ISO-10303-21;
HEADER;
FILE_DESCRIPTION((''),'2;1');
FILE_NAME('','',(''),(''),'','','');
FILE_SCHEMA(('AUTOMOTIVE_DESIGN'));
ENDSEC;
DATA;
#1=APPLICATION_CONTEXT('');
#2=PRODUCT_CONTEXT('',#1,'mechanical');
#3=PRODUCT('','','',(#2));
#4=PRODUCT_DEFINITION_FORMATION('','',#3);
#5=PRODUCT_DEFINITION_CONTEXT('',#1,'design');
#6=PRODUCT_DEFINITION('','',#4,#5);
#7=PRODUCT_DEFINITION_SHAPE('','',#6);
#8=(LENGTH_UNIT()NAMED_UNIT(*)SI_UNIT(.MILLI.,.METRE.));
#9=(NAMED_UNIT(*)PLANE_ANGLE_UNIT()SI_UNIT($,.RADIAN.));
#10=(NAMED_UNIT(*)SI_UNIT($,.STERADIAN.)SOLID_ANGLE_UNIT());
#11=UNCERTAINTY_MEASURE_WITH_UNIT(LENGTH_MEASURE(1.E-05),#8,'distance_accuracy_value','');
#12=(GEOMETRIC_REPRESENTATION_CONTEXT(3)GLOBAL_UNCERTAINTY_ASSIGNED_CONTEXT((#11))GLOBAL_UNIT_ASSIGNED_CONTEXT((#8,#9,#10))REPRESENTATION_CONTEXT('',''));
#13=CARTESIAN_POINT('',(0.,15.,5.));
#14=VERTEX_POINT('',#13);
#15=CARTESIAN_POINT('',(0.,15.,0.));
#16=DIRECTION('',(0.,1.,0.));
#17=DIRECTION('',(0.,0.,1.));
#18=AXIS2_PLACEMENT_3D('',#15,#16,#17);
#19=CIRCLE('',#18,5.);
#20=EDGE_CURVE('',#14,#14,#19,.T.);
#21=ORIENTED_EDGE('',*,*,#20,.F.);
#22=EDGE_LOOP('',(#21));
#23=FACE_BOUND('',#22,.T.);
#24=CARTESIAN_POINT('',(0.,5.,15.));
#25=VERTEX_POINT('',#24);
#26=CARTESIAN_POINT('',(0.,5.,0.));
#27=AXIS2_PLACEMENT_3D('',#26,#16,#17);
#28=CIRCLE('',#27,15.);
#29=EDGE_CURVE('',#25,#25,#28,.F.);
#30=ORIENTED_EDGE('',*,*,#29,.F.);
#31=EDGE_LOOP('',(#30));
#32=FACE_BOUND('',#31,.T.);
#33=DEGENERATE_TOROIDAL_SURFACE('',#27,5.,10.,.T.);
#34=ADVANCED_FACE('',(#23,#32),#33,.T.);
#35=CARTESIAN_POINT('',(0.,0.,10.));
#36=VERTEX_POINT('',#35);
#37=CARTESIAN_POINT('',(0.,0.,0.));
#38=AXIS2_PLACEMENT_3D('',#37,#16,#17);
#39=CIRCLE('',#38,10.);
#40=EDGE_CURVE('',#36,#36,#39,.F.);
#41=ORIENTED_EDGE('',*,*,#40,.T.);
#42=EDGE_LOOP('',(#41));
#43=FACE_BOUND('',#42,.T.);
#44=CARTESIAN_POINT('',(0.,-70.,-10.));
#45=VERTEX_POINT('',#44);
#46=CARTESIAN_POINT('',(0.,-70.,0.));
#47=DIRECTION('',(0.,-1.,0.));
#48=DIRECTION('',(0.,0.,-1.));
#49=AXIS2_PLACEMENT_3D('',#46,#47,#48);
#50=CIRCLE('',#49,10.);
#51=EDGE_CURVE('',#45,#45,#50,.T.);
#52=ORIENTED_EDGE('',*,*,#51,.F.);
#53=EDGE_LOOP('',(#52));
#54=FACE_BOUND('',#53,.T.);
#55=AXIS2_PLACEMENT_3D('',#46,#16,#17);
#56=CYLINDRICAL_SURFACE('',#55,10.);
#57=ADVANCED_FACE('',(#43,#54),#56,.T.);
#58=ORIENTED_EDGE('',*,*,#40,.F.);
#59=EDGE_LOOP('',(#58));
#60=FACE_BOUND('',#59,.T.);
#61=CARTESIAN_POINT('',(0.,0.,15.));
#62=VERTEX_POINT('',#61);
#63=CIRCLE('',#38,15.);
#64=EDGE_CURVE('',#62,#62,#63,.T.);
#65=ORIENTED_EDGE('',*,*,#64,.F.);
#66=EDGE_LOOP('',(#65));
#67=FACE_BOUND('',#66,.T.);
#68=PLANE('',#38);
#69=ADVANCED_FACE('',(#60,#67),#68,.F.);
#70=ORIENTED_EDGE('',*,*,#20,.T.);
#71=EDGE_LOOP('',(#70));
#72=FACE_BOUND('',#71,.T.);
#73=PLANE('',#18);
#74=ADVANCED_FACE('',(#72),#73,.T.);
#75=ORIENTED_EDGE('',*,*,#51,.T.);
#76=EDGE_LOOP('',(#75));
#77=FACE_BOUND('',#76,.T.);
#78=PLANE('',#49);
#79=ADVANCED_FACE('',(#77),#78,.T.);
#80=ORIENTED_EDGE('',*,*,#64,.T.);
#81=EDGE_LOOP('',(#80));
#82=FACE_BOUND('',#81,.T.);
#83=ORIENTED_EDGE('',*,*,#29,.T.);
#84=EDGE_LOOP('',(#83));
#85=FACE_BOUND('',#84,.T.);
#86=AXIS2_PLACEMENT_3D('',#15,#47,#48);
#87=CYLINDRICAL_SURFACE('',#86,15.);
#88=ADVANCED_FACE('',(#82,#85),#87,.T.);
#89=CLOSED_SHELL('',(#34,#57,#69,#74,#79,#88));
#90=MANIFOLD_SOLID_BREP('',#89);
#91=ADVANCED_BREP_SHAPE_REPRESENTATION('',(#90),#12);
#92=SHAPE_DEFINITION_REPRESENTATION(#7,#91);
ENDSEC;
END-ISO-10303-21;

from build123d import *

# Parameters (mm, degrees)
ESQUISSE1_R        = 15
BOSS_EXTRU_1_DEPTH = 15
CONG_1_R           = 10
ESQUISSE3_R        = 10
BOSS_EXTRU_3_DEPTH = 70


with BuildPart() as part:
    # Esquisse1 → Boss.-Extru.1 (new body)
    with BuildSketch(Plane(origin=(0, 0, 0), x_dir=(1, 0, 0), z_dir=(0, 1, 0))):
        Circle(ESQUISSE1_R)
    extrude(amount=BOSS_EXTRU_1_DEPTH)

    # Congé1
    cong_1_edges = [part.edges().sort_by_distance(p)[0] for p in [
        (-15, 15, 0),
    ]]
    fillet(cong_1_edges, radius=CONG_1_R)

    # Esquisse3 → Boss.-Extru.3 (add)
    with BuildSketch(Plane.XZ):
        Circle(ESQUISSE3_R)
    extrude(amount=BOSS_EXTRU_3_DEPTH)


solid = part.part
